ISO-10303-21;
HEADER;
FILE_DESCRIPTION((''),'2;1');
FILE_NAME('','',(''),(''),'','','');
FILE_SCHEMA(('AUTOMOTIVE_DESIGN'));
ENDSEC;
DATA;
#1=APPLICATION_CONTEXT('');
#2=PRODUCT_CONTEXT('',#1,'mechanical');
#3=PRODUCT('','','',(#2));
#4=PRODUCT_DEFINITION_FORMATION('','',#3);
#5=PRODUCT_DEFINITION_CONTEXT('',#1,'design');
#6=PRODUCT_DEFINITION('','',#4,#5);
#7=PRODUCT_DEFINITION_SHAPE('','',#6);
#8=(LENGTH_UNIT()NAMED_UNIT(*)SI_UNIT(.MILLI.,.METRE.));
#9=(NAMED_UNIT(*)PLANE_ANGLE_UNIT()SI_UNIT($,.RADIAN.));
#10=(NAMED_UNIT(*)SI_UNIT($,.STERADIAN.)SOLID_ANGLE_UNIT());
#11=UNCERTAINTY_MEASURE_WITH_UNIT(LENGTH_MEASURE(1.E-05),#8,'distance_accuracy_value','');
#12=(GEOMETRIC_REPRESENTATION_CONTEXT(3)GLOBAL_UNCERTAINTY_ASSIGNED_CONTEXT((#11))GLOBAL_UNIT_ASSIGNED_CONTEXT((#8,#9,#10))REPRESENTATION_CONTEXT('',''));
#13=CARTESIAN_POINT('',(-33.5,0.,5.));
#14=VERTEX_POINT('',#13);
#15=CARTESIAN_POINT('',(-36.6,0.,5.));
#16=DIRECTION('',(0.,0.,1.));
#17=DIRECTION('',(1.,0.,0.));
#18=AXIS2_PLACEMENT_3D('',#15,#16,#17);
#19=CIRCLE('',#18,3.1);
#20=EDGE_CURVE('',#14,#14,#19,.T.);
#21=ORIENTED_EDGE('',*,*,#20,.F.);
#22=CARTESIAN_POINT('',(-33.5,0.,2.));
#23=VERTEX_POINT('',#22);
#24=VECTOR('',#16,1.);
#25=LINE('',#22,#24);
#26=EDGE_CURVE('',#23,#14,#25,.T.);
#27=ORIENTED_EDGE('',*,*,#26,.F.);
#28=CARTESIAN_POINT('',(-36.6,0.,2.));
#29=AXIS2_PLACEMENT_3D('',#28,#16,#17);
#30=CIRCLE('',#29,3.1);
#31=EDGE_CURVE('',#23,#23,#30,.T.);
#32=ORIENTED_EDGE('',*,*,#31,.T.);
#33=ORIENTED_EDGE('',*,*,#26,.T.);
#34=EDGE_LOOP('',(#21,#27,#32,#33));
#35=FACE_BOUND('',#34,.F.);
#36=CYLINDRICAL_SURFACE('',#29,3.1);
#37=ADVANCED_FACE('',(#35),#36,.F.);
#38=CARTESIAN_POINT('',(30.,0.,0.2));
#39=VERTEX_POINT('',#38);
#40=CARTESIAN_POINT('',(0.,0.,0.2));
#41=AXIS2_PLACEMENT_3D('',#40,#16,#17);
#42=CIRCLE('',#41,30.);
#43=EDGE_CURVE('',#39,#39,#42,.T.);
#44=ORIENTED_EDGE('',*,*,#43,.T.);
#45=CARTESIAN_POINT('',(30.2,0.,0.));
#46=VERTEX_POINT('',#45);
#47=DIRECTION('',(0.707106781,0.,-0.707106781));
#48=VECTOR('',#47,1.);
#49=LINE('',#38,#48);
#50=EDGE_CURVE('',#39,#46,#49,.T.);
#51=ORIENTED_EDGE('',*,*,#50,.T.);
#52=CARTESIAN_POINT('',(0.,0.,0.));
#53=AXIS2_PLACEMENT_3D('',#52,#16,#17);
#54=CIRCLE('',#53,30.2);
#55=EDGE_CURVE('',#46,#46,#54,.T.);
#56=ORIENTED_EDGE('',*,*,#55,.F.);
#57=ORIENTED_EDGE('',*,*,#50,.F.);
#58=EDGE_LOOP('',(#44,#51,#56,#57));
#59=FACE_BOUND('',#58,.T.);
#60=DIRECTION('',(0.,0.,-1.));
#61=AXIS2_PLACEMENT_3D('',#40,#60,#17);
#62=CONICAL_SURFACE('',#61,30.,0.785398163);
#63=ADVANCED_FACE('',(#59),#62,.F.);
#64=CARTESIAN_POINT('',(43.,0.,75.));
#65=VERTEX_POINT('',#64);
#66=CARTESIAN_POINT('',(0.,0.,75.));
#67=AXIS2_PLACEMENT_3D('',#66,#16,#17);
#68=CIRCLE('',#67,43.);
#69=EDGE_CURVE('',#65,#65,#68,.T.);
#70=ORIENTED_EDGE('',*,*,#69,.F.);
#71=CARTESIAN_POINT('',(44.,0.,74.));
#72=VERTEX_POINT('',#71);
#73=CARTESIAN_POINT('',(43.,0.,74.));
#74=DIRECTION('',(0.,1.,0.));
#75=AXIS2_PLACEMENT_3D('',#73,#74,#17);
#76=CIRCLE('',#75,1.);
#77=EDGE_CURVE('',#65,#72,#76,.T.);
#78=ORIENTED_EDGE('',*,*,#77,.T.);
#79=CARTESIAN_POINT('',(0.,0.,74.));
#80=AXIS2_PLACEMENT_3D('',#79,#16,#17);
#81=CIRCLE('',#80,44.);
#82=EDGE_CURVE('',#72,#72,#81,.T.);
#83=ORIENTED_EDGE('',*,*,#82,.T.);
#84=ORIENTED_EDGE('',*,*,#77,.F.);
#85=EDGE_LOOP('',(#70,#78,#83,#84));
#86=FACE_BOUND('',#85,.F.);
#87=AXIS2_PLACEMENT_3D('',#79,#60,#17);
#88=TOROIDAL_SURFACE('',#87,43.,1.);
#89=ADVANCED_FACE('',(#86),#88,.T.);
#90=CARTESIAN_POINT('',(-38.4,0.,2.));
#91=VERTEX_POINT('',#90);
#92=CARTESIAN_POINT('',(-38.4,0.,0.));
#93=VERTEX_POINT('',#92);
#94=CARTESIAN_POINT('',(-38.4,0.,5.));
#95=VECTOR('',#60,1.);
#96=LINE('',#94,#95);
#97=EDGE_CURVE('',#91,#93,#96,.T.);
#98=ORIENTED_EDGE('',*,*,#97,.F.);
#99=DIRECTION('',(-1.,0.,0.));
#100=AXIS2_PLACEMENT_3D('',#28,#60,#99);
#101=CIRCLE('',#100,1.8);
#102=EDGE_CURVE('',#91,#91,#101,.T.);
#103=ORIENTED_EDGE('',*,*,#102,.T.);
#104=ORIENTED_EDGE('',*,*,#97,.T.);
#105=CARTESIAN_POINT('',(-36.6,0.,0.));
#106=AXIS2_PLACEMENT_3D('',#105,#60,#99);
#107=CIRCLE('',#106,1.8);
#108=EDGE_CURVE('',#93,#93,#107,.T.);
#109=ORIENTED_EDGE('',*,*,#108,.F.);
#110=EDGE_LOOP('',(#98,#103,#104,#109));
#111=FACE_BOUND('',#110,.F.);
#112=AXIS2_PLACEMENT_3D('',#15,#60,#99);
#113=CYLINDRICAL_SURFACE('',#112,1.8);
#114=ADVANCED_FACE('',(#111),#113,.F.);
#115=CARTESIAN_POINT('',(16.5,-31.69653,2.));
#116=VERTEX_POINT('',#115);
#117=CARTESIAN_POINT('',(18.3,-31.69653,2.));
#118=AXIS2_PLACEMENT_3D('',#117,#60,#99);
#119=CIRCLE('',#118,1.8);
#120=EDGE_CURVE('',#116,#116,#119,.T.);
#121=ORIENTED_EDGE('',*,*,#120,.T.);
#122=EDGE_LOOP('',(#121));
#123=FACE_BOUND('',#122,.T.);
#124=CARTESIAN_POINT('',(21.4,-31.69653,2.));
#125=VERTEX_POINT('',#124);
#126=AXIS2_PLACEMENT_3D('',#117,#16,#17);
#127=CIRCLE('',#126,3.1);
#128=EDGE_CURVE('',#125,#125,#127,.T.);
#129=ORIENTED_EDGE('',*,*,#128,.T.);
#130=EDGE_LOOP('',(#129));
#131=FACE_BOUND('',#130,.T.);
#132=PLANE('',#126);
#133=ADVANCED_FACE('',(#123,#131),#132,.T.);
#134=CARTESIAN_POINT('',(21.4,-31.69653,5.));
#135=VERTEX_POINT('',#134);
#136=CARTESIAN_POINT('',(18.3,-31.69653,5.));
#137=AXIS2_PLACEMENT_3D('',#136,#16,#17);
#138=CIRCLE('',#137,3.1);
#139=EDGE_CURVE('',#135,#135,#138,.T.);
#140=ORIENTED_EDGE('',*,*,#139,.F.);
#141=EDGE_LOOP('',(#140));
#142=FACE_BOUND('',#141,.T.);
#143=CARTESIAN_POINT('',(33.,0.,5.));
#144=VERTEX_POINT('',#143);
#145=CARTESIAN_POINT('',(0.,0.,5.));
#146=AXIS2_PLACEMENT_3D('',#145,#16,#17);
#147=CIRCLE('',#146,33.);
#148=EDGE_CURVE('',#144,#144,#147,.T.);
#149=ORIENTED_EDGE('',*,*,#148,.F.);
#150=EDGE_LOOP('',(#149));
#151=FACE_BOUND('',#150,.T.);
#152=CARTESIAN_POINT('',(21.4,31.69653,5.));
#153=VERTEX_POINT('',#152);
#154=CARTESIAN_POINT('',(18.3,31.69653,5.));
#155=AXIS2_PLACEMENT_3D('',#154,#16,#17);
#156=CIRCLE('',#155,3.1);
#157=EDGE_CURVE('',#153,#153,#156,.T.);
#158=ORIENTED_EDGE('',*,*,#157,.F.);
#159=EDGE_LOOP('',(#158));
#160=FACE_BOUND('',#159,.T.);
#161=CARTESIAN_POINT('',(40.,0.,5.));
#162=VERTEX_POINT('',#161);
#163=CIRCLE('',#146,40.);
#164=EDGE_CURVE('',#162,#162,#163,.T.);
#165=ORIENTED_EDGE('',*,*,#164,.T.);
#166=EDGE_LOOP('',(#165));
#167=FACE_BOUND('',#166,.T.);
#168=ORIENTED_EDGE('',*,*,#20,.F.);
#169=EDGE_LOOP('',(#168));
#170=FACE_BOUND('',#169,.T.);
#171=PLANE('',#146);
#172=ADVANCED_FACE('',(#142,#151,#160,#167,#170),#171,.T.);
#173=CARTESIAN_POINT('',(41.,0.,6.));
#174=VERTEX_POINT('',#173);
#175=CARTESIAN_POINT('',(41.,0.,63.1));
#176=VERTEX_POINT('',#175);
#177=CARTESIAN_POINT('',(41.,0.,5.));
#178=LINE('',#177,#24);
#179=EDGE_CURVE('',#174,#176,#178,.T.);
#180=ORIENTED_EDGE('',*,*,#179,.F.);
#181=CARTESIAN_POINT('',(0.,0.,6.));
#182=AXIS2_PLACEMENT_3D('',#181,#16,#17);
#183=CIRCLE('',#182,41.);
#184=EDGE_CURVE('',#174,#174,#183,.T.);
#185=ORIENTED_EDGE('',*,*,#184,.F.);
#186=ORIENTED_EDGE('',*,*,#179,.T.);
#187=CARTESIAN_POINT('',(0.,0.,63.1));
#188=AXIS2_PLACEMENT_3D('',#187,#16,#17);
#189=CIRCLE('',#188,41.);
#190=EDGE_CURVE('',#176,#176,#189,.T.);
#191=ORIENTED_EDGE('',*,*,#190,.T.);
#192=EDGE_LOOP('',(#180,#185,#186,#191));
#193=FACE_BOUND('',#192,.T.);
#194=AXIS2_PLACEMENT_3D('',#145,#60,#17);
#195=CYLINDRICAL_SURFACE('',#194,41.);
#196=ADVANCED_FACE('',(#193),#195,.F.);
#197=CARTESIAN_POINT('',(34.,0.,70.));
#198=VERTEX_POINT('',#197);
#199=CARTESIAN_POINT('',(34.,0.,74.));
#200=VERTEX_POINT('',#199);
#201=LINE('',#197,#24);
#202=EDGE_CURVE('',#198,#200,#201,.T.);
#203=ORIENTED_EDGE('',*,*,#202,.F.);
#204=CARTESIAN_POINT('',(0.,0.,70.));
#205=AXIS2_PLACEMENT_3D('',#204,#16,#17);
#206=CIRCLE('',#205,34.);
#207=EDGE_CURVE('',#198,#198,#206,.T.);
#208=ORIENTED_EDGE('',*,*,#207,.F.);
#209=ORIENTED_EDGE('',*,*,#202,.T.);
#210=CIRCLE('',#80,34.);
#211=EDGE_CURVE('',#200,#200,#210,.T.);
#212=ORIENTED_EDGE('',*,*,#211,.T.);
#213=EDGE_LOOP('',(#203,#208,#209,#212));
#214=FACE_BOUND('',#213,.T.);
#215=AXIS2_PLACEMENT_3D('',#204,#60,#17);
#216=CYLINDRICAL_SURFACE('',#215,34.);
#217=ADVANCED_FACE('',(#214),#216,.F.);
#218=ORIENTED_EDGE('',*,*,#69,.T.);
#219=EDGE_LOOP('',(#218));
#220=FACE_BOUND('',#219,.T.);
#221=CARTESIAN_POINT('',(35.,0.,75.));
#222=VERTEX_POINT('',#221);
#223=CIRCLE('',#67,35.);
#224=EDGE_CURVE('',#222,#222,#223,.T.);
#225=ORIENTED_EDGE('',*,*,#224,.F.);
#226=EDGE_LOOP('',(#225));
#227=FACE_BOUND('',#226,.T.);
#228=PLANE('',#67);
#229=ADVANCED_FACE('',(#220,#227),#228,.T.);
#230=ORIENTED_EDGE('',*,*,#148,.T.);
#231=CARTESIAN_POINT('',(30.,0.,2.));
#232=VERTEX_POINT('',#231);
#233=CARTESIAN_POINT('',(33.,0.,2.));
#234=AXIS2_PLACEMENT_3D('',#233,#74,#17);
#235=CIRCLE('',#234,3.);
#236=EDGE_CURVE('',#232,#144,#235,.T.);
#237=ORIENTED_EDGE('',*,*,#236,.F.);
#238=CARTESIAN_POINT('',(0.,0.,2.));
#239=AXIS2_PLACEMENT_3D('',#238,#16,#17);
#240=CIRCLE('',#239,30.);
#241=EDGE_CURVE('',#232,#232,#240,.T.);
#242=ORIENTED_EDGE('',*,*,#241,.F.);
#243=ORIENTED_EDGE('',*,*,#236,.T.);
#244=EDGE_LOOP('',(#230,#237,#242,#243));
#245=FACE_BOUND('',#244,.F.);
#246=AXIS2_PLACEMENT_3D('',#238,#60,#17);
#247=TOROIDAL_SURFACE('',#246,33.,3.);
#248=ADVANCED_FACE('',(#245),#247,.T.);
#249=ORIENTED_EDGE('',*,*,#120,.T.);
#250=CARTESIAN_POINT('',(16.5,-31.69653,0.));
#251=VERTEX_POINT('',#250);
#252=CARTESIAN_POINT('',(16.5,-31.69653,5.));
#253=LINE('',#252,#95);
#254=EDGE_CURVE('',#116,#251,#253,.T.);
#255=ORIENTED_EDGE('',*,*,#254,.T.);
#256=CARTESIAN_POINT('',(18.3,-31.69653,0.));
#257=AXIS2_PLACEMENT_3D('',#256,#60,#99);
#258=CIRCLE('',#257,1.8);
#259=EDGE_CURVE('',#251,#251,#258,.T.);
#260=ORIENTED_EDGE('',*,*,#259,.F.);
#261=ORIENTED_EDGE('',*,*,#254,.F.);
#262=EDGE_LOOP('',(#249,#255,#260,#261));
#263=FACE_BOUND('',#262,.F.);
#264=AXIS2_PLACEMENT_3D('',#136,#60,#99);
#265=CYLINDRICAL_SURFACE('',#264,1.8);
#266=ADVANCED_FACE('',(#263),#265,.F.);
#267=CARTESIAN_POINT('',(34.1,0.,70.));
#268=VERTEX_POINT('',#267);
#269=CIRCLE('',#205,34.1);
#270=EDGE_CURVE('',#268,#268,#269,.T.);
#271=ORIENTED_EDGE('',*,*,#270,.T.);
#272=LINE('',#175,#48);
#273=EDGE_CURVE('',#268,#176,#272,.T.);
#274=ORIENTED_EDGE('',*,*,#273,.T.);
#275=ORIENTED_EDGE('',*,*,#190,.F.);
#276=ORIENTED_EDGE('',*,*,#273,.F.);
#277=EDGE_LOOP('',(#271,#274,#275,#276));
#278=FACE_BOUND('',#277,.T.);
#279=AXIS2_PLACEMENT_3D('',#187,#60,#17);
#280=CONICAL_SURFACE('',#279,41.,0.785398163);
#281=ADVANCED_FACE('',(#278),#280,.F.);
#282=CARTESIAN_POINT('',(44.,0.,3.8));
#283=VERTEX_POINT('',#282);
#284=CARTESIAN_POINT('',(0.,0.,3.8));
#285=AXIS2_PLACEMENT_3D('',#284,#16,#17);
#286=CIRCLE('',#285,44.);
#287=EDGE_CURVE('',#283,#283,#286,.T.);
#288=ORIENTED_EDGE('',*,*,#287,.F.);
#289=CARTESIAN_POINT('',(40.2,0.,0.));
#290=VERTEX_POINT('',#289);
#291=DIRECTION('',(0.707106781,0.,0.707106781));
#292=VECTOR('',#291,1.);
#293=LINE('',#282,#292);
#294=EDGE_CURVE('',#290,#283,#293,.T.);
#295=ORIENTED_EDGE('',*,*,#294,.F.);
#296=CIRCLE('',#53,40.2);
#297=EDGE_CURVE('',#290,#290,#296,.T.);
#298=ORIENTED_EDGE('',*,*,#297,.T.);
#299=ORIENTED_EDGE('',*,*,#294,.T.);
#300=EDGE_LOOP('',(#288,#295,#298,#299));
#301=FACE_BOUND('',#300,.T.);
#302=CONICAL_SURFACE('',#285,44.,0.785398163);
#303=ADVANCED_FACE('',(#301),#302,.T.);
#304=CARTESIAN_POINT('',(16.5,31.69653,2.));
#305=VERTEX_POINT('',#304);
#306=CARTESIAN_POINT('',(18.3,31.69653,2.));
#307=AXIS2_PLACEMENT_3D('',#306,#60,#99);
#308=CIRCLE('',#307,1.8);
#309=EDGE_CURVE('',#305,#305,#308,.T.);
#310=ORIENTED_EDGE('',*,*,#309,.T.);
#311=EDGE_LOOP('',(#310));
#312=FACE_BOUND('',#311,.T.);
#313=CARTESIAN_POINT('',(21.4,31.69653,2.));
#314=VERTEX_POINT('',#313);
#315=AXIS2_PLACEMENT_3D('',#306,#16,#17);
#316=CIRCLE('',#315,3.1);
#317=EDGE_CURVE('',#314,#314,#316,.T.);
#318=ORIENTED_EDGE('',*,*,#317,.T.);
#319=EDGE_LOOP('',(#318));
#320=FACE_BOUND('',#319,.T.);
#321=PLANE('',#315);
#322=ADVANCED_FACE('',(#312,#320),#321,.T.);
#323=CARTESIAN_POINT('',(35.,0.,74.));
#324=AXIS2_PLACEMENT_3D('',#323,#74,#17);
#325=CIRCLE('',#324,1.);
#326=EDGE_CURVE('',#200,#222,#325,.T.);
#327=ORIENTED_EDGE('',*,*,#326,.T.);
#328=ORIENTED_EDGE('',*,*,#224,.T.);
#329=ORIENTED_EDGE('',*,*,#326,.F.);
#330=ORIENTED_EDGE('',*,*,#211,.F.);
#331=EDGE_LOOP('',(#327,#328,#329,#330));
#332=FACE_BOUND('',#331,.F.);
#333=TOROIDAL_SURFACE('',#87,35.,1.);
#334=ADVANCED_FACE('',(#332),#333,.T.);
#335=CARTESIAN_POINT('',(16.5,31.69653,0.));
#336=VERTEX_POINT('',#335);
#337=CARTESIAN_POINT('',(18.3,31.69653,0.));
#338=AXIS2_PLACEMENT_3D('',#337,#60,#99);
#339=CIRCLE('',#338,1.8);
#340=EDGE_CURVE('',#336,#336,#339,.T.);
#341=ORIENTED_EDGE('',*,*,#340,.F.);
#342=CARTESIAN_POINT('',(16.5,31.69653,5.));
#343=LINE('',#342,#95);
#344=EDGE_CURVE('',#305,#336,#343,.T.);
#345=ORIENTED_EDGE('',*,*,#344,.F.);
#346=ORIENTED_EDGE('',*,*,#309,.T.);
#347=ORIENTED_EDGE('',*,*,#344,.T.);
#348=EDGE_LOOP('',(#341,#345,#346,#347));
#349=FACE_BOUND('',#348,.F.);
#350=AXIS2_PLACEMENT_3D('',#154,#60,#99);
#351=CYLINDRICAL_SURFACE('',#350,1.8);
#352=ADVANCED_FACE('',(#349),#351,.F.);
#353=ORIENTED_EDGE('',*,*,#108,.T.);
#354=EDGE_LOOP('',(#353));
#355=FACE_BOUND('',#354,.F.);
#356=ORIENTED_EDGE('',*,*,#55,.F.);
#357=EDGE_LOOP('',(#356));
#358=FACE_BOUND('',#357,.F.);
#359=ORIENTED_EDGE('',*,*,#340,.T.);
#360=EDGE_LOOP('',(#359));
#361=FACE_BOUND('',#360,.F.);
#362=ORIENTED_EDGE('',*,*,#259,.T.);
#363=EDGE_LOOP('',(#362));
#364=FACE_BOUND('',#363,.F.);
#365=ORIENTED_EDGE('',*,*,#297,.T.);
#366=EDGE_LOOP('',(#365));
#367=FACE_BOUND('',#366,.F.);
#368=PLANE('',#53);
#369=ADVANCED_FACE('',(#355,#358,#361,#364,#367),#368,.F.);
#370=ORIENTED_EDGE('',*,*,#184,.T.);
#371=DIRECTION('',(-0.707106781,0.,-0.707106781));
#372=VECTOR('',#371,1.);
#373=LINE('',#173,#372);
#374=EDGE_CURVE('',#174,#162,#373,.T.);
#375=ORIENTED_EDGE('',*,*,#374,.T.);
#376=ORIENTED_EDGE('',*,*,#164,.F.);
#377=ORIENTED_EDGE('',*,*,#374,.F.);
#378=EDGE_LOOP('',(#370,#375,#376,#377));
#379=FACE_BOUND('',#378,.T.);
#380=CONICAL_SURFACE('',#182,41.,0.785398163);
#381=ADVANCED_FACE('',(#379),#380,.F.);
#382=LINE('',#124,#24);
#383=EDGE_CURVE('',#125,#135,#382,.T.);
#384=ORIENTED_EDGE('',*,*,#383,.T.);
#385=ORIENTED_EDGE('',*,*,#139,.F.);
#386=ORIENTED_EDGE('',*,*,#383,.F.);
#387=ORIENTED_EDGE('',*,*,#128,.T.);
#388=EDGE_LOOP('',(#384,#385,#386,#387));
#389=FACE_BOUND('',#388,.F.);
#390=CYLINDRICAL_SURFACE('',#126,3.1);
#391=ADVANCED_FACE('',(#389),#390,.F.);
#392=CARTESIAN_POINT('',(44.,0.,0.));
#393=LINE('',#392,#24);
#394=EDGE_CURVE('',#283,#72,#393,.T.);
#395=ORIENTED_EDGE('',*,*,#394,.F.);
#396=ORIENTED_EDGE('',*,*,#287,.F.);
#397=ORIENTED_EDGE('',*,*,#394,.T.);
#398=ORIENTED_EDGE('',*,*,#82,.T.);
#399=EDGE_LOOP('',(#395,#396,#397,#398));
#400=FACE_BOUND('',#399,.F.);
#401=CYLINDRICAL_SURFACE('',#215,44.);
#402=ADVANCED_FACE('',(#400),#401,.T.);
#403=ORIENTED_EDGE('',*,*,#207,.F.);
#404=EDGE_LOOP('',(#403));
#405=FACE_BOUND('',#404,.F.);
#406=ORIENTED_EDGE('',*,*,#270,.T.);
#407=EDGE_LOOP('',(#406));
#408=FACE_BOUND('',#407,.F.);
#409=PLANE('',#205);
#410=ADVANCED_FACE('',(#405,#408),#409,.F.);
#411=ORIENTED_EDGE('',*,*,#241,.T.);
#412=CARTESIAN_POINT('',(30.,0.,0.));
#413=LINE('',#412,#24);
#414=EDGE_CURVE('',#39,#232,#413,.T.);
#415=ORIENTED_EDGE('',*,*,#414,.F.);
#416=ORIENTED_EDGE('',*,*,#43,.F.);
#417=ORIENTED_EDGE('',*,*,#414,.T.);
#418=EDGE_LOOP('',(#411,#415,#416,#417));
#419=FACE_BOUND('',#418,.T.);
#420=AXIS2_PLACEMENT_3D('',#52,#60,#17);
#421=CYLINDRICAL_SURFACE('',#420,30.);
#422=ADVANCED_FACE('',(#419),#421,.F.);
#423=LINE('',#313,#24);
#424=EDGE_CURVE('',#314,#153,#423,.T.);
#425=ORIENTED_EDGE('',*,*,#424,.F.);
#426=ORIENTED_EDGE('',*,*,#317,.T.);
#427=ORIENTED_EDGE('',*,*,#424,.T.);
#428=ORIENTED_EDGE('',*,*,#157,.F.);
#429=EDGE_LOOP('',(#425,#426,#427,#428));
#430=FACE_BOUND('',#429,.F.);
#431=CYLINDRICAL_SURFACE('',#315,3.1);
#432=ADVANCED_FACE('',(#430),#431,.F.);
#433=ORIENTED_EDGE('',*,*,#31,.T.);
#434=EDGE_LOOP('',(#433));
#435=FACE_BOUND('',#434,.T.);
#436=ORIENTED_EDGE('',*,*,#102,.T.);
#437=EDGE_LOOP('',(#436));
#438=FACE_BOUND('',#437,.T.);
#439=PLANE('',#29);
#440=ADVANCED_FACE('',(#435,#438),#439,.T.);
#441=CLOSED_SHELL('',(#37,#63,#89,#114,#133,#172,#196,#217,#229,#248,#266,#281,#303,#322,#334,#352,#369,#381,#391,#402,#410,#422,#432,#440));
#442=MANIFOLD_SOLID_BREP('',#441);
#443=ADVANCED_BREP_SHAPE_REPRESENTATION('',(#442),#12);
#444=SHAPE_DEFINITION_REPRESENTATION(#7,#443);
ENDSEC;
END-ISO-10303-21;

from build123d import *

# Parameters (mm, degrees)
SKETCH_R         = 44
SKETCH_R_2       = 30
PAD_DEPTH        = 5
SKETCH001_R      = 44
SKETCH001_R_2    = 41
PAD001_DEPTH     = 65
SKETCH002_R      = 44
SKETCH002_R_2    = 34
PAD002_DEPTH     = 5
HOLE_D           = 3.6
HOLE_DEPTH       = 5
HOLE_CBORE_D     = 6.2
HOLE_CBORE_DEPTH = 3
CHAMFER_SIZE     = 6.9
FILLET_R         = 1
CHAMFER001_SIZE  = 1
CHAMFER002_SIZE  = 3.8
FILLET001_R      = 3
CHAMFER003_SIZE  = 0.2


with BuildPart() as part:
    # Sketch → Pad (new body)
    with BuildSketch(Plane.XY):
        Circle(SKETCH_R)
        Circle(SKETCH_R_2, mode=Mode.SUBTRACT)
    extrude(amount=PAD_DEPTH)

    # Sketch001 (on DatumPlane) → Pad001 (join)
    with BuildSketch(Plane.XY.offset(5)):
        Circle(SKETCH001_R)
        Circle(SKETCH001_R_2, mode=Mode.SUBTRACT)
    extrude(amount=PAD001_DEPTH)

    # Sketch002 (on DatumPlane) → Pad002 (join)
    with BuildSketch(Plane.XY.offset(70)):
        Circle(SKETCH002_R)
        Circle(SKETCH002_R_2, mode=Mode.SUBTRACT)
    extrude(amount=PAD002_DEPTH)

    # Hole
    with Locations(Plane.XY.offset(5)):
        with Locations((-36.6, 0), (18.3, 31.69653), (18.3, -31.69653)):
            CounterBoreHole(HOLE_D / 2, HOLE_CBORE_D / 2, HOLE_CBORE_DEPTH, depth=HOLE_DEPTH)

    # Chamfer
    chamfer_edges = [part.edges().sort_by_distance(p)[0] for p in [
        (-41, 0, 70),
    ]]
    chamfer(chamfer_edges, length=CHAMFER_SIZE)

    # Fillet
    fillet_edges = [part.edges().sort_by_distance(p)[0] for p in [
        (-34, 0, 75),
        (-44, 0, 75),
    ]]
    fillet(fillet_edges, radius=FILLET_R)

    # Chamfer001
    chamfer001_edges = [part.edges().sort_by_distance(p)[0] for p in [
        (-41, 0, 5),
    ]]
    chamfer(chamfer001_edges, length=CHAMFER001_SIZE)

    # Chamfer002
    chamfer002_edges = [part.edges().sort_by_distance(p)[0] for p in [
        (-44, 0, 0),
    ]]
    chamfer(chamfer002_edges, length=CHAMFER002_SIZE)

    # Fillet001
    fillet001_edges = [part.edges().sort_by_distance(p)[0] for p in [
        (-30, 0, 5),
    ]]
    fillet(fillet001_edges, radius=FILLET001_R)

    # Chamfer003
    chamfer003_edges = [part.edges().sort_by_distance(p)[0] for p in [
        (-30, 0, 0),
    ]]
    chamfer(chamfer003_edges, length=CHAMFER003_SIZE)


solid = part.part
